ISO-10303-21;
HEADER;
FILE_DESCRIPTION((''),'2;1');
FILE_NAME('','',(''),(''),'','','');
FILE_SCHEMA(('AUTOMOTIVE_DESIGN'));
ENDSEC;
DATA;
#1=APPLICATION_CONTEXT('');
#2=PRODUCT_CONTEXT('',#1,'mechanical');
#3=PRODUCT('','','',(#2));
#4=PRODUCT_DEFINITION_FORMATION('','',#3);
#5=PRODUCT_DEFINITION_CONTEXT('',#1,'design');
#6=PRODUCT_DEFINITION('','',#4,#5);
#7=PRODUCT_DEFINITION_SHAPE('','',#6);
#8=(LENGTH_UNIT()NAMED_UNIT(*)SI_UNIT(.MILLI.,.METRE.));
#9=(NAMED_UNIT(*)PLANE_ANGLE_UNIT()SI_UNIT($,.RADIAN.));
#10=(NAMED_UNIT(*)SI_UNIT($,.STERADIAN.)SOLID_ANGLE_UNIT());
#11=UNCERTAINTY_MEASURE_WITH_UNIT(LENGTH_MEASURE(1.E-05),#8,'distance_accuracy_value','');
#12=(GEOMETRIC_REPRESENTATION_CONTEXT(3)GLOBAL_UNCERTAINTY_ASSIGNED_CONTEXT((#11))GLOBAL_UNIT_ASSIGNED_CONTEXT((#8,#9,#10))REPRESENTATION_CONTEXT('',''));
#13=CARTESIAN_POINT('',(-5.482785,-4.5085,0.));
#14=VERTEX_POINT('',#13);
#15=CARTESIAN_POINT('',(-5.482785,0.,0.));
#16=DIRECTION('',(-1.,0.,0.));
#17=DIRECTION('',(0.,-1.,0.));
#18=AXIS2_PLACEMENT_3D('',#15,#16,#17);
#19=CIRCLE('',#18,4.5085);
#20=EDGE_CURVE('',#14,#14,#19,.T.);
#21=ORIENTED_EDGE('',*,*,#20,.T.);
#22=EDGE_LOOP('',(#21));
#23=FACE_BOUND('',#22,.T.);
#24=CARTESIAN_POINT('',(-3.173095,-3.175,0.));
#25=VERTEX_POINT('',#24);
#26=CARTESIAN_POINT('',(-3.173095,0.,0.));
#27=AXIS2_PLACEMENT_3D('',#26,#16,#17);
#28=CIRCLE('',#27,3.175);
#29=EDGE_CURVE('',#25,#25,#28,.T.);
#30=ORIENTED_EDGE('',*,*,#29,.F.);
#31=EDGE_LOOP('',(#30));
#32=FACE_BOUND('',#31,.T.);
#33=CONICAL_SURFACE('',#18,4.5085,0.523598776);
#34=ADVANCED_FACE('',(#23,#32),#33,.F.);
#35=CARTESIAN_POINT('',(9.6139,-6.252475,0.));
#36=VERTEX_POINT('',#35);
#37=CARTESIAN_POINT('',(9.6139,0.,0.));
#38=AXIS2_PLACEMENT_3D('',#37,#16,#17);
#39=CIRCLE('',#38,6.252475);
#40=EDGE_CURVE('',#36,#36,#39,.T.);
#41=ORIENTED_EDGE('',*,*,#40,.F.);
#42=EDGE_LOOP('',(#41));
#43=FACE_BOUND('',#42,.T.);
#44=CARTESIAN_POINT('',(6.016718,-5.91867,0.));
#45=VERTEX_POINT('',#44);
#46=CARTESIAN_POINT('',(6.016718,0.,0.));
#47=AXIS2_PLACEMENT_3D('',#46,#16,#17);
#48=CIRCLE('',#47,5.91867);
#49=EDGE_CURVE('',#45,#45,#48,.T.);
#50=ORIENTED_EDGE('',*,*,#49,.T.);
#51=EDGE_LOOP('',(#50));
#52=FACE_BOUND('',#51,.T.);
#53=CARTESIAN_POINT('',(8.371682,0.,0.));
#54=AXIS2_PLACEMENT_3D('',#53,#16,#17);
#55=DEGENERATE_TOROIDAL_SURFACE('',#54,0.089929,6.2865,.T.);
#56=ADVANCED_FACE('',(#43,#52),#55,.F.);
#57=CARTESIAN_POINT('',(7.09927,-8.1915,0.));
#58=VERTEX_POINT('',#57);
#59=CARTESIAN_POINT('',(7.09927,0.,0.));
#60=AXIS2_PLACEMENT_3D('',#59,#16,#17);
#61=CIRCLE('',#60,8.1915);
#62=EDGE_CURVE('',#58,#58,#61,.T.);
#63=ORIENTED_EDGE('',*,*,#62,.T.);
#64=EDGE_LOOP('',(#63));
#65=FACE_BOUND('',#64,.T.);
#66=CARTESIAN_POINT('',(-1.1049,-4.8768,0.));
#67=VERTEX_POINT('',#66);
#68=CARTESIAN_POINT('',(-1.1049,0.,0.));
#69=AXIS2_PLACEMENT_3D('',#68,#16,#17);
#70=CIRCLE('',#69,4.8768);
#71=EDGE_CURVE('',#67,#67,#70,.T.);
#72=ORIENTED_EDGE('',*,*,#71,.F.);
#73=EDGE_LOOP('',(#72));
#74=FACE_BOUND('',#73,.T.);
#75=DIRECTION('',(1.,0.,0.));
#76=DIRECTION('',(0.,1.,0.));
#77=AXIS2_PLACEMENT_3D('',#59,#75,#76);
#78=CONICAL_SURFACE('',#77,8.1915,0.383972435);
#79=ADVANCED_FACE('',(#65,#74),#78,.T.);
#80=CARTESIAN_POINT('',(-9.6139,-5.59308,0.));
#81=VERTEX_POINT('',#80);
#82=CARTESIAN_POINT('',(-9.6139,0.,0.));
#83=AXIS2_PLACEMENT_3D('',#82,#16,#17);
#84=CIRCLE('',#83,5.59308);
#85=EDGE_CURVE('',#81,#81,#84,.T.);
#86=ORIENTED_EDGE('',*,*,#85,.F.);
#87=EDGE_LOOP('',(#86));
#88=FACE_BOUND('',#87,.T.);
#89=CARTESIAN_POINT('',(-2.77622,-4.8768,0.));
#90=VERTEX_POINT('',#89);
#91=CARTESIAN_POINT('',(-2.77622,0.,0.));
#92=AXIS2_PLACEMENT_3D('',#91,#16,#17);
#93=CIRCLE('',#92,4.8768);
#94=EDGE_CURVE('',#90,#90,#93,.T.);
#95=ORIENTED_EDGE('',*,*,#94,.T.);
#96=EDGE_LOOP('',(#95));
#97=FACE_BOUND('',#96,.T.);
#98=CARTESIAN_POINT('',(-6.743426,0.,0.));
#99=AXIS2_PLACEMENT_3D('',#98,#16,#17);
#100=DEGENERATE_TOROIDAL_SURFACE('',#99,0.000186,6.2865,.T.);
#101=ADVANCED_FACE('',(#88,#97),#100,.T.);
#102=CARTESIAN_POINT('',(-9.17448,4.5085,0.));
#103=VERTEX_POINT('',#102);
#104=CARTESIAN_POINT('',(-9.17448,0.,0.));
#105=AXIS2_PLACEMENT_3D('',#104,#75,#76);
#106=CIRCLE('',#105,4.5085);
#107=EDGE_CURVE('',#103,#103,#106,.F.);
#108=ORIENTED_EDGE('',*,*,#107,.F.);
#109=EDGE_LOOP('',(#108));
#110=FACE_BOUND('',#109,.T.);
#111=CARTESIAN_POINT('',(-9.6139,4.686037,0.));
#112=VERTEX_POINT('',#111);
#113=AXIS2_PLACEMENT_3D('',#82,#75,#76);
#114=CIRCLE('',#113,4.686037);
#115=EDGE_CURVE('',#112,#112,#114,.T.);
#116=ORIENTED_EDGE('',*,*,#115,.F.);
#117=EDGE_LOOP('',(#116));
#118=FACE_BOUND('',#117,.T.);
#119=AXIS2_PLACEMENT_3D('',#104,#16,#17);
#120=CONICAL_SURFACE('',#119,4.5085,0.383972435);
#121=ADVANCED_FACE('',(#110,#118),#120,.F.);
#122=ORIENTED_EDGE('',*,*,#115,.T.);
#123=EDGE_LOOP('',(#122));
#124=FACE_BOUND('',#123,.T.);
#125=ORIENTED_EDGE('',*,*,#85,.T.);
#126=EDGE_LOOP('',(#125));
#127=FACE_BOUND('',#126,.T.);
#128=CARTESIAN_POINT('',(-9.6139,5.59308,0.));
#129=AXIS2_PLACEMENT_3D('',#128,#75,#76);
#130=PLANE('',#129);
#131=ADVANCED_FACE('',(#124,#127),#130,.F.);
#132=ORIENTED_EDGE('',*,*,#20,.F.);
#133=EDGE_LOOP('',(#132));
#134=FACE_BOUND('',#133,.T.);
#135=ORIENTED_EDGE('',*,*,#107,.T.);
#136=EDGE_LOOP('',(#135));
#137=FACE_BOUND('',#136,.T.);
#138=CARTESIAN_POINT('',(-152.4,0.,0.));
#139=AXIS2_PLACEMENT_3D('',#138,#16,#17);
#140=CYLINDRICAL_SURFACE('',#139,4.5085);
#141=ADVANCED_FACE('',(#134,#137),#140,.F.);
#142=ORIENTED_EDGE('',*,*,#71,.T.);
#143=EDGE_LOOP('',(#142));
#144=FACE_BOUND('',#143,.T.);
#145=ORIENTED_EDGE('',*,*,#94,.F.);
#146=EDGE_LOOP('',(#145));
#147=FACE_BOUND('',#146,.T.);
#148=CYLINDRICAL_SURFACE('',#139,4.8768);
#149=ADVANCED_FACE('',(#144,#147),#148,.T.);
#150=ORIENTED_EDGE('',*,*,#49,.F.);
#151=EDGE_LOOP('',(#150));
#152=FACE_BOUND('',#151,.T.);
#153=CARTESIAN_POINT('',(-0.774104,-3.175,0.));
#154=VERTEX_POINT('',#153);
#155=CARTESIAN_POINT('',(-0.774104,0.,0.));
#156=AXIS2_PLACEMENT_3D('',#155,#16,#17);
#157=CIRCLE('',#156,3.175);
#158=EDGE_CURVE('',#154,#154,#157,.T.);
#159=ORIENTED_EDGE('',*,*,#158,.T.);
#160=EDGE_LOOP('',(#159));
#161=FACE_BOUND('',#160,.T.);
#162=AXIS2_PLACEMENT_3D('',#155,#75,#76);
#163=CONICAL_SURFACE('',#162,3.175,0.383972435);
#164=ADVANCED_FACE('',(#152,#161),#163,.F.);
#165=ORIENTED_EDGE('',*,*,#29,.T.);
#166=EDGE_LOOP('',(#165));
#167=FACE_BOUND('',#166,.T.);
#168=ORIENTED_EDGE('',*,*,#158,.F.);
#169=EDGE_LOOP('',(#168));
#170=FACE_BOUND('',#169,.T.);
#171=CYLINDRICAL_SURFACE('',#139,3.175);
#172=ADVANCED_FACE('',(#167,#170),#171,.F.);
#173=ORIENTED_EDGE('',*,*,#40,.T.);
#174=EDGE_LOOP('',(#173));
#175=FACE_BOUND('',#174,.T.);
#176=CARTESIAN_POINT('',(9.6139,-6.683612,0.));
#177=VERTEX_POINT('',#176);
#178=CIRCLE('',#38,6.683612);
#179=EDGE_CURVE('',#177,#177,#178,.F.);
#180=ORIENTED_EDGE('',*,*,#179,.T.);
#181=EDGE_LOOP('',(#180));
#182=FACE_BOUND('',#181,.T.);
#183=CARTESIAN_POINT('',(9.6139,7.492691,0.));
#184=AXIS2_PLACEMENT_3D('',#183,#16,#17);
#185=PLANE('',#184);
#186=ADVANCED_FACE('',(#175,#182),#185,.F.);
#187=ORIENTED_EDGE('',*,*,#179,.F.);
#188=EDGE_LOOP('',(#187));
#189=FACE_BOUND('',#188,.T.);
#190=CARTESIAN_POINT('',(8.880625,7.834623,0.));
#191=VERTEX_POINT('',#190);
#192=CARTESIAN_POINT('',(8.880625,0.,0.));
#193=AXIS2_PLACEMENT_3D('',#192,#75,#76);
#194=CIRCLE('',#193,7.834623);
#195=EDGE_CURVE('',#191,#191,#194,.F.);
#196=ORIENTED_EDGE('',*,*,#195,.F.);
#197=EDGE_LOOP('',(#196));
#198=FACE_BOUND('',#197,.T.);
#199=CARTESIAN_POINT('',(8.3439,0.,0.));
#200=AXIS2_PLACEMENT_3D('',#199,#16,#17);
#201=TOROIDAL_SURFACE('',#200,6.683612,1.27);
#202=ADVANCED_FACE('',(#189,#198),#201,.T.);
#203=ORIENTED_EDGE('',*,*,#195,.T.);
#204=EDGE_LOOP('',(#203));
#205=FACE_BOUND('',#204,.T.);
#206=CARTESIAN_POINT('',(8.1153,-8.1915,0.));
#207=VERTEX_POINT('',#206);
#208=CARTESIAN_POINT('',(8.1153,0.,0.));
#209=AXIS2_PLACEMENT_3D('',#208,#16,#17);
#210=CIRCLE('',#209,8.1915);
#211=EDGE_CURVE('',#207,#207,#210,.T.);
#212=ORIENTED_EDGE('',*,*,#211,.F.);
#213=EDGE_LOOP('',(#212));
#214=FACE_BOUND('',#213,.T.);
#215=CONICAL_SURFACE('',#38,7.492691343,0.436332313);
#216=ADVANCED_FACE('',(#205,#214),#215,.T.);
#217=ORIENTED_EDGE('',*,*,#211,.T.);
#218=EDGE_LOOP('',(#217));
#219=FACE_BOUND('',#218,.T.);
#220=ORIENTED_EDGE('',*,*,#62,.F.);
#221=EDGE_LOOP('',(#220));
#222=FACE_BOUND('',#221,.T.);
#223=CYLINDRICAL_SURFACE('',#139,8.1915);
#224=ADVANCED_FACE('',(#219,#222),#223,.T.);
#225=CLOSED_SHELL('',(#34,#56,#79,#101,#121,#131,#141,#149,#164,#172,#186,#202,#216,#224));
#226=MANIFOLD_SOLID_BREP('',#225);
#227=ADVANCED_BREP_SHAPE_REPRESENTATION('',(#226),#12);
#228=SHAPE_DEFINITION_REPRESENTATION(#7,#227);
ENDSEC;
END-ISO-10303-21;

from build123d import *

# Parameters (mm, degrees)
FILLET1_R      = 1.27
CHAMFER1_SIZE  = 0.43942
CHAMFER1_SIZE2 = 0.177537204


with BuildPart() as part:
    # Sketch2 → Revolve1 (revolve)
    with BuildSketch(Plane.XY):
        with BuildLine():
            Line((-9.6139, 5.59308), (-9.6139, 4.5085))
            Line((-9.6139, 4.5085), (-5.482784752, 4.5085))
            Line((-5.482784752, 4.5085), (-3.173095, 3.175))
            Line((-3.173095, 3.175), (-0.77410359, 3.175))
            Line((-0.77410359, 3.175), (6.016717794, 5.918669934))
            ThreePointArc((6.016717794, 5.918669934), (7.790814141, 6.349535218), (9.6139, 6.252474944))
            Line((9.6139, 6.252474944), (9.6139, 7.492691343))
            Line((9.6139, 7.492691343), (8.1153, 8.1915))
            Line((8.1153, 8.1915), (7.099270393, 8.1915))
            Line((7.099270393, 8.1915), (-1.1049, 4.8768))
            Line((-1.1049, 4.8768), (-2.77622, 4.8768))
            ThreePointArc((-2.77622, 4.8768), (-6.088468301, 6.252474944), (-9.6139, 5.59308))
        make_face()
    revolve(axis=Axis((-152.4, 0, 0), (1, 0, 0)))

    # Fillet1
    fillet1_edges = [part.edges().sort_by_distance(p)[0] for p in [
        (9.6139, -7.492691343, 0),
    ]]
    fillet(fillet1_edges, radius=FILLET1_R)

    # Chamfer1
    chamfer1_edges = [part.edges().sort_by_distance(p)[0] for p in [
        (-9.6139, -4.5085, 0),
    ]]
    chamfer1_side = [part.faces().sort_by_distance(p)[0] for p in [
        (-7.548342376, -4.5085, 0),
    ]]
    chamfer(chamfer1_edges, length=CHAMFER1_SIZE, length2=CHAMFER1_SIZE2, reference=chamfer1_side[0])


solid = part.part
